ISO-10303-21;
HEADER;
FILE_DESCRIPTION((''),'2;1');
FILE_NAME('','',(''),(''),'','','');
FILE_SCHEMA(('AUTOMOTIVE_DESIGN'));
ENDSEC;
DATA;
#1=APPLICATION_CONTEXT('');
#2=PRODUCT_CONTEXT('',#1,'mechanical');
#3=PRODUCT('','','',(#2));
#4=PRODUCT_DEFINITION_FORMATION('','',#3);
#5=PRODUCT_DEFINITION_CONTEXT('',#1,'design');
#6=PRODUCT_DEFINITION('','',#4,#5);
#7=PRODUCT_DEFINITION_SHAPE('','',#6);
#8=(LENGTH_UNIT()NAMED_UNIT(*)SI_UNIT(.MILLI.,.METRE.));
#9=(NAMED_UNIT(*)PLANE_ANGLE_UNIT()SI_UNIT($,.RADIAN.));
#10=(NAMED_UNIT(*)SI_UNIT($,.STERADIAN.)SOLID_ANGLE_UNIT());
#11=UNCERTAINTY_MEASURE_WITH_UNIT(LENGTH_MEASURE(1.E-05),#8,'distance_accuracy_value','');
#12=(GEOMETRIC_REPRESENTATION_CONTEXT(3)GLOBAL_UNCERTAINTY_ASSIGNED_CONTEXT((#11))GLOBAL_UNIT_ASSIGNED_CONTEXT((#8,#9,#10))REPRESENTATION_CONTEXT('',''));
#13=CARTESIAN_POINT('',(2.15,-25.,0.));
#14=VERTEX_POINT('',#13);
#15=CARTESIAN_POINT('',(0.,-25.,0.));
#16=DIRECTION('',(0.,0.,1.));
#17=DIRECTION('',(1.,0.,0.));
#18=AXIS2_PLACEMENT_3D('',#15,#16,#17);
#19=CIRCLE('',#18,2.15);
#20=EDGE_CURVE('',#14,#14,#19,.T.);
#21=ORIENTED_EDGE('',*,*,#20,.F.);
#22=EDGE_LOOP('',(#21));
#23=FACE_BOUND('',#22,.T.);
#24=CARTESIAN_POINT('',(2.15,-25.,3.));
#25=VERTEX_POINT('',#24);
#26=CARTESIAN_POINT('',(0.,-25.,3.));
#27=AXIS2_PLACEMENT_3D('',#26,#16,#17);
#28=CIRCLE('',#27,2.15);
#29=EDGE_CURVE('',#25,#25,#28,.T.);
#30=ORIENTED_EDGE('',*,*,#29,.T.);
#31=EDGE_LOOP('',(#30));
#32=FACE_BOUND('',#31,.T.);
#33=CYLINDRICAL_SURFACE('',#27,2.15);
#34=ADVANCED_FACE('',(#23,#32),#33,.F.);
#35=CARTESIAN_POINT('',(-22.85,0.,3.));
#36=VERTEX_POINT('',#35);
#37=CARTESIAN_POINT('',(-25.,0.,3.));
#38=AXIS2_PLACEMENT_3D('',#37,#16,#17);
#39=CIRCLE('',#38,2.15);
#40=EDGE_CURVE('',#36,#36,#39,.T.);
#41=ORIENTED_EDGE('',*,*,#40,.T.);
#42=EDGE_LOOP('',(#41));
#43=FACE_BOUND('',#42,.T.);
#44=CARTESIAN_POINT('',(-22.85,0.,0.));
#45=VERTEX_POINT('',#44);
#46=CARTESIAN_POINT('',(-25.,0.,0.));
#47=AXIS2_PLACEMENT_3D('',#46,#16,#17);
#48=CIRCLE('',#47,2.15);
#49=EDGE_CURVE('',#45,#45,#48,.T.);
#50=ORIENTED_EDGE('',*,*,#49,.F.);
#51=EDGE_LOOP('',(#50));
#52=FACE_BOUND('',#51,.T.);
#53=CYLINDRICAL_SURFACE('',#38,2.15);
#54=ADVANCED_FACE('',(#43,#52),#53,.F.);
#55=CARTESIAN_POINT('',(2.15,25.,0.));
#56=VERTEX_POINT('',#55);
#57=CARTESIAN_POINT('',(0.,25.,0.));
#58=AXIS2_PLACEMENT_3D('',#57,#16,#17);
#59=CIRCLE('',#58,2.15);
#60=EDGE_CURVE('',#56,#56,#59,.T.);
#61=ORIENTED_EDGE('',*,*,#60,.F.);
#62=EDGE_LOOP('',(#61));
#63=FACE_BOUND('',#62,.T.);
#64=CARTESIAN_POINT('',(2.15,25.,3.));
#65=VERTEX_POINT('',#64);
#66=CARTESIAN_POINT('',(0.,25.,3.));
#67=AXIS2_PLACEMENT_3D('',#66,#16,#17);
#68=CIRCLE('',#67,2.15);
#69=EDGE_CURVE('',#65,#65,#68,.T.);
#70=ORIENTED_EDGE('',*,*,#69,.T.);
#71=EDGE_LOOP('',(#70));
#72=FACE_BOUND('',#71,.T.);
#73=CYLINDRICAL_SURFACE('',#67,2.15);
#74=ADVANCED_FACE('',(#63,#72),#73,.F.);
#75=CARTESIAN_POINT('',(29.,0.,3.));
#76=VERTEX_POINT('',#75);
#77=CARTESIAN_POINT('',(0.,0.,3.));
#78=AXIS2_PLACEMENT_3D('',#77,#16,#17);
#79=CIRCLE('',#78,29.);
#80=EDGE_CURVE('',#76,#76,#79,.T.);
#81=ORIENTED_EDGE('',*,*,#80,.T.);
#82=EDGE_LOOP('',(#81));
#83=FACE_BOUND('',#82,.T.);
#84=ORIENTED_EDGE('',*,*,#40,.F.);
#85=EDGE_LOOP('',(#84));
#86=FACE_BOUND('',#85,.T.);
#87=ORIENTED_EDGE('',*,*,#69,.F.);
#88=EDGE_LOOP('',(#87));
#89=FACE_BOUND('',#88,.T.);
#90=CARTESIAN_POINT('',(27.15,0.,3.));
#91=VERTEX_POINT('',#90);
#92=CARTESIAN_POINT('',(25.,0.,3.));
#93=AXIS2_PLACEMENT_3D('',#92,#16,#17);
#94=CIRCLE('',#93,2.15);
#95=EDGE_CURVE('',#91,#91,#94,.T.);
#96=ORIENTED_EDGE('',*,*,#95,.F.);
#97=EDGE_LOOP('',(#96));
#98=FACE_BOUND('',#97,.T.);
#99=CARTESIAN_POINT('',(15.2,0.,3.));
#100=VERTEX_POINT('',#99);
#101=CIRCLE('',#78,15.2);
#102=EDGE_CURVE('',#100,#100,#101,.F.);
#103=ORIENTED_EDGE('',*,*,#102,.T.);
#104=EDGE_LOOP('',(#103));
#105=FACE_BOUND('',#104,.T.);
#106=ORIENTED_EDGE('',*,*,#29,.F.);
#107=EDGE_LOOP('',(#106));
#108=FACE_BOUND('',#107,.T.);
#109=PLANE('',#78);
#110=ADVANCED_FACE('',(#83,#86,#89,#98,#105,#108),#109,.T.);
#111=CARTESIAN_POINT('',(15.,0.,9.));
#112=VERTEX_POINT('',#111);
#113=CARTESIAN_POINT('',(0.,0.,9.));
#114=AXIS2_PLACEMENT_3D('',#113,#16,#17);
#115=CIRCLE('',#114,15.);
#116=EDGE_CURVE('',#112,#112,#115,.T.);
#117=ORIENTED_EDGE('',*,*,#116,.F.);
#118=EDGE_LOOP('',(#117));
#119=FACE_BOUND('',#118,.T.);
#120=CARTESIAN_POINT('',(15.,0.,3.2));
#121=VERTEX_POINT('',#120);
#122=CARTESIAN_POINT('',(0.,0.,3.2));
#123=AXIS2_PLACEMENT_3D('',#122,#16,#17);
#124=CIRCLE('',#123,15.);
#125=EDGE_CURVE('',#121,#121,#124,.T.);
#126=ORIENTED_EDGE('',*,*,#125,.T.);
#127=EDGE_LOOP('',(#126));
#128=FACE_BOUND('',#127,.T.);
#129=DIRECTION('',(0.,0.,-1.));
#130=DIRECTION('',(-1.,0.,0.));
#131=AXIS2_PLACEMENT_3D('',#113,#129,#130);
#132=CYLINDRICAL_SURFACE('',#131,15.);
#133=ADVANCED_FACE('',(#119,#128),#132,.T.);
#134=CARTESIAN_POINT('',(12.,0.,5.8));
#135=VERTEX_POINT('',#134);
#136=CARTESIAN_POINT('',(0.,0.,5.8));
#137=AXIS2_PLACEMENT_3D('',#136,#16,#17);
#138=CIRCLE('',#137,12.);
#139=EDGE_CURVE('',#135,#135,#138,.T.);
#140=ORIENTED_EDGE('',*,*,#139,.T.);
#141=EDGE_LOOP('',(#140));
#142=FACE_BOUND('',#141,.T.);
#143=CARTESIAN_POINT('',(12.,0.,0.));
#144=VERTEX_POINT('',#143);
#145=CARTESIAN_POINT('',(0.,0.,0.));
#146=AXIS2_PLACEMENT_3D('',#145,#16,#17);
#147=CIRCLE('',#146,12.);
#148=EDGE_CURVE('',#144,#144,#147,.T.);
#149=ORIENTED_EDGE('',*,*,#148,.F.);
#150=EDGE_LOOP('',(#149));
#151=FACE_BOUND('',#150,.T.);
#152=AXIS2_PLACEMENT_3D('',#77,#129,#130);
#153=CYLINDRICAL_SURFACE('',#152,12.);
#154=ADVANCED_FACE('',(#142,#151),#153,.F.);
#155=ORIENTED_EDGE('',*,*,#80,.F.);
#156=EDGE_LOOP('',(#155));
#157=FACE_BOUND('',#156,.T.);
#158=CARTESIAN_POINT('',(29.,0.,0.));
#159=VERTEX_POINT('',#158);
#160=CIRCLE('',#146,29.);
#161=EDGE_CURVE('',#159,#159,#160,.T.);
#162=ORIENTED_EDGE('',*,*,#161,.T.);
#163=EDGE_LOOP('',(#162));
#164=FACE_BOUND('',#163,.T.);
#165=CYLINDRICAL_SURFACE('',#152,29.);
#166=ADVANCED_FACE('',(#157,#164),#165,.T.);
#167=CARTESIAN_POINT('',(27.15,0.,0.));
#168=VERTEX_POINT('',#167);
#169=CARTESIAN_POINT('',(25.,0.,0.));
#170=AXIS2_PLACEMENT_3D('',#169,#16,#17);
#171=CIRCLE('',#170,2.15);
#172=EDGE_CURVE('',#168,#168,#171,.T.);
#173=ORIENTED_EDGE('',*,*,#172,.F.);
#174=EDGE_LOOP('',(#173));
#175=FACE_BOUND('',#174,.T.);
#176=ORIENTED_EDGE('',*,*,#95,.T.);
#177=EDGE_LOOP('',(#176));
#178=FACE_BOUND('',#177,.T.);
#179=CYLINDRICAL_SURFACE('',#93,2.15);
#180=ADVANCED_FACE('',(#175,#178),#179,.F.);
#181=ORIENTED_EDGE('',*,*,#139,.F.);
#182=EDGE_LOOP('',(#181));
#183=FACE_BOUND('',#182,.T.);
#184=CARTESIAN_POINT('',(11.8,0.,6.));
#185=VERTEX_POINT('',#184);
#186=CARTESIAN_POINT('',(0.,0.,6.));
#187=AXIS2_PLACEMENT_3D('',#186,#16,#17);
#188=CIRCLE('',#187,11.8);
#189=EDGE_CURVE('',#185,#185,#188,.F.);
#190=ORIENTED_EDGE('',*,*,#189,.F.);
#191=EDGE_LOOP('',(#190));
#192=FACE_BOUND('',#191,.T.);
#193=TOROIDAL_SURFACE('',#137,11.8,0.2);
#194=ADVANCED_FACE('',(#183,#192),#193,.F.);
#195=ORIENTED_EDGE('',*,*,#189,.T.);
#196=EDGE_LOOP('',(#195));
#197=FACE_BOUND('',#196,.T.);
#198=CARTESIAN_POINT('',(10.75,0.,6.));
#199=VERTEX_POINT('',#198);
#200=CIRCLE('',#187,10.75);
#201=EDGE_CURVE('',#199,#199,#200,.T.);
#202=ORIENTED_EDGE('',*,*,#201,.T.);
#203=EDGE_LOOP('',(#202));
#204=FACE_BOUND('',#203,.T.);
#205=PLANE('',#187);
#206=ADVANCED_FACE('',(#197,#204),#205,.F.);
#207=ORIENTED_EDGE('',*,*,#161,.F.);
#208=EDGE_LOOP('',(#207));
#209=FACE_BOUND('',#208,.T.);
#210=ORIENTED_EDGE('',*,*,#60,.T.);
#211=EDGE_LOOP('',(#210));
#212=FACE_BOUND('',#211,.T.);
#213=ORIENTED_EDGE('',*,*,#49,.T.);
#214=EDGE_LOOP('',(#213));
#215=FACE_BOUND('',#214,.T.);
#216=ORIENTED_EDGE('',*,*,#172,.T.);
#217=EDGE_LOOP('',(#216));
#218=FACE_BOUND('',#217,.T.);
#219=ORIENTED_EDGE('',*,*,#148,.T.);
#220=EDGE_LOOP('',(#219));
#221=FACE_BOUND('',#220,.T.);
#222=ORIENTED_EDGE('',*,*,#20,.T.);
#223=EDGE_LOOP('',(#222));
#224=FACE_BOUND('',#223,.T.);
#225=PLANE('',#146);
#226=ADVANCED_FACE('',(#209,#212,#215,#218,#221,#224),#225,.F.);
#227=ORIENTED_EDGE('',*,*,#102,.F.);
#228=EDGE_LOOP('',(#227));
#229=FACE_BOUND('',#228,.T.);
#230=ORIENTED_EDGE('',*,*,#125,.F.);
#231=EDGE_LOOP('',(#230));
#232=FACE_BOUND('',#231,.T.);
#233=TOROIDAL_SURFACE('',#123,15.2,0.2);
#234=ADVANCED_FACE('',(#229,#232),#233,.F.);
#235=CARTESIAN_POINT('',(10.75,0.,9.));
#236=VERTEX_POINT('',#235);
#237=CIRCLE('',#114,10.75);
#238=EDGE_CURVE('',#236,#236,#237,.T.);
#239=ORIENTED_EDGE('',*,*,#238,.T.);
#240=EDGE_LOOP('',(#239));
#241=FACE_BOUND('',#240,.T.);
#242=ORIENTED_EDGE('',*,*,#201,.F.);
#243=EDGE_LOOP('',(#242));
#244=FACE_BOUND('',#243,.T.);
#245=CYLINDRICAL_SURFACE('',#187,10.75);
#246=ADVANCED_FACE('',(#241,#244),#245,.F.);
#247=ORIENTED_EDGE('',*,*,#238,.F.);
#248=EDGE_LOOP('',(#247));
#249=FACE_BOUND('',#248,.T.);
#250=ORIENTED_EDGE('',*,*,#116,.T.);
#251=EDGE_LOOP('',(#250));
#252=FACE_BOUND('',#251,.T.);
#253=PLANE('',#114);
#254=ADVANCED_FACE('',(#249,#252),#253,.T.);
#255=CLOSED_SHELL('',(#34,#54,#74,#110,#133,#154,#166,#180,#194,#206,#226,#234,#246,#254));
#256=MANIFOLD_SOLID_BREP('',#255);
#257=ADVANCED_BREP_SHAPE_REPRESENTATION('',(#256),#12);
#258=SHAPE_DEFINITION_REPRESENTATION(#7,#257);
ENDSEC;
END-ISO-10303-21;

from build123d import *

# Parameters (mm, degrees)
SKETCH1_R            = 29
SKETCH1_R_2          = 12
BOSS_EXTRUDE1_DEPTH  = 3
SKETCH2_R            = 15
SKETCH2_R_2          = 12
BOSS_EXTRUDE2_DEPTH  = 6
SKETCH3_R            = 15
SKETCH3_R_2          = 10.75
BOSS_EXTRUDE3_DEPTH  = 3
M4_CLEARANCE_HOLE1_D = 4.3
FILLET1_R            = 0.2


with BuildPart() as part:
    # Sketch1 → Boss-Extrude1 (new body)
    with BuildSketch(Plane.XY):
        Circle(SKETCH1_R)
        Circle(SKETCH1_R_2, mode=Mode.SUBTRACT)
    extrude(amount=BOSS_EXTRUDE1_DEPTH)

    # Sketch2 → Boss-Extrude2 (add)
    with BuildSketch(Plane.XY.offset(3)):
        Circle(SKETCH2_R)
        Circle(SKETCH2_R_2, mode=Mode.SUBTRACT)
    extrude(amount=BOSS_EXTRUDE2_DEPTH)

    # Sketch3 → Boss-Extrude3 (add)
    with BuildSketch(Plane.XY.offset(9)):
        Circle(SKETCH3_R)
        Circle(SKETCH3_R_2, mode=Mode.SUBTRACT)
    extrude(amount=-BOSS_EXTRUDE3_DEPTH)

    # M4 Clearance Hole1 (through all)
    with Locations(Plane.XY.offset(3)):
        with Locations((0, 25), (25, 0), (0, -25), (-25, 0), (0, 0)):
            Hole(M4_CLEARANCE_HOLE1_D / 2)

    # Fillet1
    fillet1_edges = [part.edges().sort_by_distance(p)[0] for p in [
        (-15, 0, 3),
        (-12, 0, 6),
    ]]
    fillet(fillet1_edges, radius=FILLET1_R)


solid = part.part
